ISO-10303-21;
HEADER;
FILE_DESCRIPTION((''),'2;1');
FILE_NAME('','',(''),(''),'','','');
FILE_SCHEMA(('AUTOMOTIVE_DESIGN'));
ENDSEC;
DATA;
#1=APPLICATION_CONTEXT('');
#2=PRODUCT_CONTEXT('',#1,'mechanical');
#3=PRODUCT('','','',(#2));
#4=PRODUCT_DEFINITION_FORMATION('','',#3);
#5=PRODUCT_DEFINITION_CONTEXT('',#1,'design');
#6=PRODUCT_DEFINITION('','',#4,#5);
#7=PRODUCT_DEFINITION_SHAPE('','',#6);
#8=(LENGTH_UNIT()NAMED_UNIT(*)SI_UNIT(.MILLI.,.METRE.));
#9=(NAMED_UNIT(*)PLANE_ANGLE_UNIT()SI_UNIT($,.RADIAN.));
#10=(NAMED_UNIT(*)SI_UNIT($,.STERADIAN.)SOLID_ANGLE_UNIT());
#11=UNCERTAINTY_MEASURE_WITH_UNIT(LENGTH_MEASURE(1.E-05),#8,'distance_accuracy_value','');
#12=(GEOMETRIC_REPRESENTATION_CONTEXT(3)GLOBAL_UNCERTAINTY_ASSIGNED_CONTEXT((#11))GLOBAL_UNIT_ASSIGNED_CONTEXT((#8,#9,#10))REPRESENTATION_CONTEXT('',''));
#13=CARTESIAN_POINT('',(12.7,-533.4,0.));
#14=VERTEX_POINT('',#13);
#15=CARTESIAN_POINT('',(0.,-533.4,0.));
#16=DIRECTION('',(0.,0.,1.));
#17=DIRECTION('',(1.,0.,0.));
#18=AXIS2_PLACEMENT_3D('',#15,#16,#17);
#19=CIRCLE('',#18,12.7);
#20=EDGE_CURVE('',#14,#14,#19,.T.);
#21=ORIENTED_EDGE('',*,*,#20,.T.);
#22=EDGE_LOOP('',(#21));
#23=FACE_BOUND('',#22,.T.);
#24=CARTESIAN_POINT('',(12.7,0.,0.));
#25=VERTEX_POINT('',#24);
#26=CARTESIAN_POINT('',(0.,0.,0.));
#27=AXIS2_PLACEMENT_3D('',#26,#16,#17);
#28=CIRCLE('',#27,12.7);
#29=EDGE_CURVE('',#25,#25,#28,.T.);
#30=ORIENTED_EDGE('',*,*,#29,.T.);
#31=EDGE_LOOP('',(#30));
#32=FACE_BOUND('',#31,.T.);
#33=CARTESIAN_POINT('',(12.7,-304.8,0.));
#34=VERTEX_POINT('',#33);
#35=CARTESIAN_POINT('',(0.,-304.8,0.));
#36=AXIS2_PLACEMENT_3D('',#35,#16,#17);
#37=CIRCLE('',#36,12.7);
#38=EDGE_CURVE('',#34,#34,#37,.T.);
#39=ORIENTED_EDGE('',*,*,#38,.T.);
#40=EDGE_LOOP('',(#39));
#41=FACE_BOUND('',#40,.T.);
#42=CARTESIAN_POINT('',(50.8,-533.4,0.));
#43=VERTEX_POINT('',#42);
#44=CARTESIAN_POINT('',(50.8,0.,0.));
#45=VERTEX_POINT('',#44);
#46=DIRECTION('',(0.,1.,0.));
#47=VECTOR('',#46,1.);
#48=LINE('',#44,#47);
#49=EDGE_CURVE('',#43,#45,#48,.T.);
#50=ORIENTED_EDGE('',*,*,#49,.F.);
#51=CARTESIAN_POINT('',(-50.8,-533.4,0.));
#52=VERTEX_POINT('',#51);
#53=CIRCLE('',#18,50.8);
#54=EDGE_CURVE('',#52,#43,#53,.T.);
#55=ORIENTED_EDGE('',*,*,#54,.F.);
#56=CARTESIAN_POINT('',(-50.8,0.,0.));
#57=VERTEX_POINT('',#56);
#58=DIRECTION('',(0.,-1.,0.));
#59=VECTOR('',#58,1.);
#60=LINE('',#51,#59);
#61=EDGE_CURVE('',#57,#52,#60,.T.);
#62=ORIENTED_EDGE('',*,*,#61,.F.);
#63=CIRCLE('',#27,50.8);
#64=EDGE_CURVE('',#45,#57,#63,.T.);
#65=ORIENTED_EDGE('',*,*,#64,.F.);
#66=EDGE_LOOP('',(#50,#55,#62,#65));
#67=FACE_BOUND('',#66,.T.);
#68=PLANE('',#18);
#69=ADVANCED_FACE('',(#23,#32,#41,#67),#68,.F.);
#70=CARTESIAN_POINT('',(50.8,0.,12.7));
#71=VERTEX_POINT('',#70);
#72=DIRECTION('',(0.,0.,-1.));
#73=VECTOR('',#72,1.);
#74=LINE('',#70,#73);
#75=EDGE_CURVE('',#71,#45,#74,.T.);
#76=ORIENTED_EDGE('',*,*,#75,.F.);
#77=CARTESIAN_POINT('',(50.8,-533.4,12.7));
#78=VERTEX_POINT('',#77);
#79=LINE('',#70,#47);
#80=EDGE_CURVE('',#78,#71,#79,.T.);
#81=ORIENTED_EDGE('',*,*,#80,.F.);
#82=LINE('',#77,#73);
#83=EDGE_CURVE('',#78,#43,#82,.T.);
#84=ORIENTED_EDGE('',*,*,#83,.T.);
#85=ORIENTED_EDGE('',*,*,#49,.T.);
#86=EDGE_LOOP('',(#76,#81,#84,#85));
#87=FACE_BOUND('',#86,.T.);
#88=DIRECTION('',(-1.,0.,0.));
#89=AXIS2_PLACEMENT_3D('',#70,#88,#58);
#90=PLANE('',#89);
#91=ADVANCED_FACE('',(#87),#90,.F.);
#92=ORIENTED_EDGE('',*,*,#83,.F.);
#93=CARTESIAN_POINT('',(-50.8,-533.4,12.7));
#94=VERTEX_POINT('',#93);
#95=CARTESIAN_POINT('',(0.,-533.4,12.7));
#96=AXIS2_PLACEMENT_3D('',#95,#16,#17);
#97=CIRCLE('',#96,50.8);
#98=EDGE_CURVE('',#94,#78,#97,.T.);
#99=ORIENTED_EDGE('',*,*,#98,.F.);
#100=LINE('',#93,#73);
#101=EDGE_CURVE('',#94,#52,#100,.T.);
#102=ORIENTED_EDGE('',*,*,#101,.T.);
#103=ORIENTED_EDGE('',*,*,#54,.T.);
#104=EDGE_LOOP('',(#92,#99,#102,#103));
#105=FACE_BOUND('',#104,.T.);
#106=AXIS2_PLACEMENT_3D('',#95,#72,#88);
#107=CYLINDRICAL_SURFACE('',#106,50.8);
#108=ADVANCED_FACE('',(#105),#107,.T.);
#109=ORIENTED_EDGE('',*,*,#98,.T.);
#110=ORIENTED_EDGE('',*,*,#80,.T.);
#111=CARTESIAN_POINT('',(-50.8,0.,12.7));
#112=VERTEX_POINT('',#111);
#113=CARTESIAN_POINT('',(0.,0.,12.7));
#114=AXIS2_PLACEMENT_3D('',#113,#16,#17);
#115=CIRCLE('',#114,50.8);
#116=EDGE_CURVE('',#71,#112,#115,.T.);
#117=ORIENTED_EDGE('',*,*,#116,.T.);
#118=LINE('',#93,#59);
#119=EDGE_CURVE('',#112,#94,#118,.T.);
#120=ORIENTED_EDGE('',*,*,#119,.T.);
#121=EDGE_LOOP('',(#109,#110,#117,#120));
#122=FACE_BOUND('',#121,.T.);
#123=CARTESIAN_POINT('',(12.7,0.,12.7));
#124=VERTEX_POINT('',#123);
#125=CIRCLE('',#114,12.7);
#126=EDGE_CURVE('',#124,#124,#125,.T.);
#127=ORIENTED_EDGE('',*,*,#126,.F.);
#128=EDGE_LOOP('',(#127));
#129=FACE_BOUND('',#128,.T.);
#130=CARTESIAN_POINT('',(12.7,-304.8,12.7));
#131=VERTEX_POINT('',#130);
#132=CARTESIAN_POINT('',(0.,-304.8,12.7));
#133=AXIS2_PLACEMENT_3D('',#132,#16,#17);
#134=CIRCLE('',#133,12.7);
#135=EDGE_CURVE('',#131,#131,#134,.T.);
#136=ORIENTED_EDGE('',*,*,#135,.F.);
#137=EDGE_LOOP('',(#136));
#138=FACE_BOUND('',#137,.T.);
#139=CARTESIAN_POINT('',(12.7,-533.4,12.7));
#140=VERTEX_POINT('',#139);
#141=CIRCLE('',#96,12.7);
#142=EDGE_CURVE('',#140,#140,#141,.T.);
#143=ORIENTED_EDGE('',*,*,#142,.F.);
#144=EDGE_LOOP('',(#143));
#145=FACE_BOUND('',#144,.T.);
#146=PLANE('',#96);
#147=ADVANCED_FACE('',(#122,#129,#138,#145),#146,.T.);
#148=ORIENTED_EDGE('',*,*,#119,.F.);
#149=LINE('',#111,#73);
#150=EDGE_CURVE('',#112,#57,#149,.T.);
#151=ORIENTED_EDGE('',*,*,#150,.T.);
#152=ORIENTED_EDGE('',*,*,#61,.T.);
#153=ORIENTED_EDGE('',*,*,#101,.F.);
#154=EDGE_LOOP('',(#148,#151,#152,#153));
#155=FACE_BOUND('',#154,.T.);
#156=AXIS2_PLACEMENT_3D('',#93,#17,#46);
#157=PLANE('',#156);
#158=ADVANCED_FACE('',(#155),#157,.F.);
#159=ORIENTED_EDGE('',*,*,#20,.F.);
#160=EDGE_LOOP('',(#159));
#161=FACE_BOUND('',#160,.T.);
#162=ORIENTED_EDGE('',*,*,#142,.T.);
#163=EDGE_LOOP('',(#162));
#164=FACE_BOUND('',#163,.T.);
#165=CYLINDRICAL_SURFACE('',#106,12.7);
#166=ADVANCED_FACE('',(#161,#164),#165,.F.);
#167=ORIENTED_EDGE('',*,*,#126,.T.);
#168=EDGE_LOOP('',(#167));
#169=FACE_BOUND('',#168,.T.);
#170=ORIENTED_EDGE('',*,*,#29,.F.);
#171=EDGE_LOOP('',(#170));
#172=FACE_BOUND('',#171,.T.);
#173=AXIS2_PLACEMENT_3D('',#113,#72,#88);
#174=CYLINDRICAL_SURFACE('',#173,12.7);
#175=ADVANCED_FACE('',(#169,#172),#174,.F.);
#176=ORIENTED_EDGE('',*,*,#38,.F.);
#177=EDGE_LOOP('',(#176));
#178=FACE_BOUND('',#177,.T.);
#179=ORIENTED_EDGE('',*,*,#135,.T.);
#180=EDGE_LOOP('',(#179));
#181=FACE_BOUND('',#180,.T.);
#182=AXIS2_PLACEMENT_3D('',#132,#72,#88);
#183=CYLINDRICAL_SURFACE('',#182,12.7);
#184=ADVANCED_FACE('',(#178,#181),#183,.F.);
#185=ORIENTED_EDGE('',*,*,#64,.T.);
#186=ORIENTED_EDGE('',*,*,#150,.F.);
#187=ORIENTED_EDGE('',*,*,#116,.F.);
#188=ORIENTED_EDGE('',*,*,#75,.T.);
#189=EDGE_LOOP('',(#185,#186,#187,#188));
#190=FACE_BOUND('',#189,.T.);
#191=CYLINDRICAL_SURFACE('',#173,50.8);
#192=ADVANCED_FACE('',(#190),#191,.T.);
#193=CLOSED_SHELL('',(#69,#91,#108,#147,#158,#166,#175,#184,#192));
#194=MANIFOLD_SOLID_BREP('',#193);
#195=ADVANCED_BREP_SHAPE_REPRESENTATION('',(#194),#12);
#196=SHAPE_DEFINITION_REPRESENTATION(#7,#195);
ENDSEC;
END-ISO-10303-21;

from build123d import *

# Parameters (mm, degrees)
SKETCH1_R           = 12.7
BOSS_EXTRUDE1_DEPTH = 12.7


with BuildPart() as part:
    # Sketch1 → Boss-Extrude1 (new body)
    with BuildSketch(Plane.XY):
        with BuildLine():
            Line((-50.8, -533.4), (-50.8, 0))
            ThreePointArc((-50.8, 0), (0, 50.8), (50.8, 0))
            Line((50.8, 0), (50.8, -533.4))
            ThreePointArc((50.8, -533.4), (0, -584.2), (-50.8, -533.4))
        make_face()
        Circle(SKETCH1_R, mode=Mode.SUBTRACT)
        with Locations((0, -533.4)):
            Circle(SKETCH1_R, mode=Mode.SUBTRACT)
        with Locations((0, -304.8)):
            Circle(SKETCH1_R, mode=Mode.SUBTRACT)
    extrude(amount=BOSS_EXTRUDE1_DEPTH)


solid = part.part
